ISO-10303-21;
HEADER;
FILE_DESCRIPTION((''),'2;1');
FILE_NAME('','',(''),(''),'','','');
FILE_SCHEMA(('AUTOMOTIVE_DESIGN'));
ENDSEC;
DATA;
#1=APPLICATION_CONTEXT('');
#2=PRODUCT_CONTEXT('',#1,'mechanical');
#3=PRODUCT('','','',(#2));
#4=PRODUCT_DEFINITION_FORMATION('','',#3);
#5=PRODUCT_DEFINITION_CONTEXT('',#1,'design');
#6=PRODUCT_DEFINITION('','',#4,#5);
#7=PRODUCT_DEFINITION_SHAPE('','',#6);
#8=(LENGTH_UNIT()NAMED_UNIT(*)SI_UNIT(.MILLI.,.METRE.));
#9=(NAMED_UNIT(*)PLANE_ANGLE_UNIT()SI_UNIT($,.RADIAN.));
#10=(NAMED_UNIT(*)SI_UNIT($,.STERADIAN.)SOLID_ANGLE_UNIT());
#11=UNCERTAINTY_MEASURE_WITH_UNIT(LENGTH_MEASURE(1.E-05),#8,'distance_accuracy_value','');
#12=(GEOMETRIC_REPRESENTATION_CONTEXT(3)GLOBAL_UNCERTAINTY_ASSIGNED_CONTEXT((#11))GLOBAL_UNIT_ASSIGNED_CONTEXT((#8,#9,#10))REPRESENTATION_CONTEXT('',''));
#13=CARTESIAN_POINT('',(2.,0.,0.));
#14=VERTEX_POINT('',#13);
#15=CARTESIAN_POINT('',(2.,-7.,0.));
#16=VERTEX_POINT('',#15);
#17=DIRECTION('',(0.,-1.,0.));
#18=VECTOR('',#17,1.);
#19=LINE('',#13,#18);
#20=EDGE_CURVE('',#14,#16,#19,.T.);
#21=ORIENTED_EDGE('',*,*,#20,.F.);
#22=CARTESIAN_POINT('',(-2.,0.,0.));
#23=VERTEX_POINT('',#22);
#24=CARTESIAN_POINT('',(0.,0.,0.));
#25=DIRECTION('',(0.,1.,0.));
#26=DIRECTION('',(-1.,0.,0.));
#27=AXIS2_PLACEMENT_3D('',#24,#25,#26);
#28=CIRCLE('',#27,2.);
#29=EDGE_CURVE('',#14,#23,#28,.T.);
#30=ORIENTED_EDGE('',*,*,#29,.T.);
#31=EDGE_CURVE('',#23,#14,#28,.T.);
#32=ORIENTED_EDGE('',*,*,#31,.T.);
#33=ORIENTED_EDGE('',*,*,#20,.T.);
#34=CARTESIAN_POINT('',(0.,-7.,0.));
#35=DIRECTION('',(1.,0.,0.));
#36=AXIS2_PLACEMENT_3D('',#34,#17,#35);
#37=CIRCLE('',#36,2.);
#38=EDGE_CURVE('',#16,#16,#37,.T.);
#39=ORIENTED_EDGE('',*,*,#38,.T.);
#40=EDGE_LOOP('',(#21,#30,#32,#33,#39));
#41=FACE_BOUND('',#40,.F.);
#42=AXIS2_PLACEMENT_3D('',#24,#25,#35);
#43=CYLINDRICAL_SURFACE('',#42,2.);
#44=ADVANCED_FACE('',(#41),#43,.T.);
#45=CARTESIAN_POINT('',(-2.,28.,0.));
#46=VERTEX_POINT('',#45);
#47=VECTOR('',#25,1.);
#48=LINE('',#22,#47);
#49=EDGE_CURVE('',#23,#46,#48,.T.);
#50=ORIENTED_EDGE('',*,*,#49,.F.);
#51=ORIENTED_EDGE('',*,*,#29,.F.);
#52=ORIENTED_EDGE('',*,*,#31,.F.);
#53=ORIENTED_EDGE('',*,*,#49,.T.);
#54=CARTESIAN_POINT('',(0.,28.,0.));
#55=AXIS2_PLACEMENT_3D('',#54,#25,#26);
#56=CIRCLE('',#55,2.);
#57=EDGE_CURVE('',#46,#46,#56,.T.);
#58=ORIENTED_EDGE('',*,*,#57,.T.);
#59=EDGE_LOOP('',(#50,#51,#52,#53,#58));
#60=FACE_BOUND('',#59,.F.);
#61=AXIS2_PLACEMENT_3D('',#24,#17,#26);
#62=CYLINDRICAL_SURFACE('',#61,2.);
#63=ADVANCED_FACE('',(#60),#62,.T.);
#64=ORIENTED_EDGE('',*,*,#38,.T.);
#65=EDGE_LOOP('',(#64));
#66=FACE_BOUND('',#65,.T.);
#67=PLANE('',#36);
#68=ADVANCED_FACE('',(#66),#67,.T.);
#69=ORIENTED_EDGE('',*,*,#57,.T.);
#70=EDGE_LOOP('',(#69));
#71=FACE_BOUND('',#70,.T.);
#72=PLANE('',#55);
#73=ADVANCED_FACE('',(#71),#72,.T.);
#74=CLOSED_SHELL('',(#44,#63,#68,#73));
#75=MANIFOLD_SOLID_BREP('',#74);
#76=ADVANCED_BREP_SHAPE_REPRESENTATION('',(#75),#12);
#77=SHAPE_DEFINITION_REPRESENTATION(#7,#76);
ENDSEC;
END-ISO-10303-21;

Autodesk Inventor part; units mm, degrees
ref_plane "YZ Plane" through (0, 0, 0) normal (1, 0, 0) x (0, 1, 0)
ref_plane "XZ Plane" through (0, 0, 0) normal (0, 1, 0) x (-1, 0, 0)
ref_plane "XY Plane" through (0, 0, 0) normal (0, 0, 1) x (1, 0, 0)
sketch "Sketch1" plane through (0, 0, 0) normal (0, 1, 0) x (-1, 0, 0)
  circle A0 centre (0, 0) radius 2
  dimension "d0" = 4
extrude "Extrusion1" add sketch "Sketch1" along normal blind 28
sketch "Sketch2" plane through (0, 0, 0) normal (0, -1, 0) x (1, 0, 0)
  circle A0 centre (0, 0) radius 2 projected
extrude "Extrusion2" add sketch "Sketch2" along normal blind 7
properties part number "hridelka_packa"
